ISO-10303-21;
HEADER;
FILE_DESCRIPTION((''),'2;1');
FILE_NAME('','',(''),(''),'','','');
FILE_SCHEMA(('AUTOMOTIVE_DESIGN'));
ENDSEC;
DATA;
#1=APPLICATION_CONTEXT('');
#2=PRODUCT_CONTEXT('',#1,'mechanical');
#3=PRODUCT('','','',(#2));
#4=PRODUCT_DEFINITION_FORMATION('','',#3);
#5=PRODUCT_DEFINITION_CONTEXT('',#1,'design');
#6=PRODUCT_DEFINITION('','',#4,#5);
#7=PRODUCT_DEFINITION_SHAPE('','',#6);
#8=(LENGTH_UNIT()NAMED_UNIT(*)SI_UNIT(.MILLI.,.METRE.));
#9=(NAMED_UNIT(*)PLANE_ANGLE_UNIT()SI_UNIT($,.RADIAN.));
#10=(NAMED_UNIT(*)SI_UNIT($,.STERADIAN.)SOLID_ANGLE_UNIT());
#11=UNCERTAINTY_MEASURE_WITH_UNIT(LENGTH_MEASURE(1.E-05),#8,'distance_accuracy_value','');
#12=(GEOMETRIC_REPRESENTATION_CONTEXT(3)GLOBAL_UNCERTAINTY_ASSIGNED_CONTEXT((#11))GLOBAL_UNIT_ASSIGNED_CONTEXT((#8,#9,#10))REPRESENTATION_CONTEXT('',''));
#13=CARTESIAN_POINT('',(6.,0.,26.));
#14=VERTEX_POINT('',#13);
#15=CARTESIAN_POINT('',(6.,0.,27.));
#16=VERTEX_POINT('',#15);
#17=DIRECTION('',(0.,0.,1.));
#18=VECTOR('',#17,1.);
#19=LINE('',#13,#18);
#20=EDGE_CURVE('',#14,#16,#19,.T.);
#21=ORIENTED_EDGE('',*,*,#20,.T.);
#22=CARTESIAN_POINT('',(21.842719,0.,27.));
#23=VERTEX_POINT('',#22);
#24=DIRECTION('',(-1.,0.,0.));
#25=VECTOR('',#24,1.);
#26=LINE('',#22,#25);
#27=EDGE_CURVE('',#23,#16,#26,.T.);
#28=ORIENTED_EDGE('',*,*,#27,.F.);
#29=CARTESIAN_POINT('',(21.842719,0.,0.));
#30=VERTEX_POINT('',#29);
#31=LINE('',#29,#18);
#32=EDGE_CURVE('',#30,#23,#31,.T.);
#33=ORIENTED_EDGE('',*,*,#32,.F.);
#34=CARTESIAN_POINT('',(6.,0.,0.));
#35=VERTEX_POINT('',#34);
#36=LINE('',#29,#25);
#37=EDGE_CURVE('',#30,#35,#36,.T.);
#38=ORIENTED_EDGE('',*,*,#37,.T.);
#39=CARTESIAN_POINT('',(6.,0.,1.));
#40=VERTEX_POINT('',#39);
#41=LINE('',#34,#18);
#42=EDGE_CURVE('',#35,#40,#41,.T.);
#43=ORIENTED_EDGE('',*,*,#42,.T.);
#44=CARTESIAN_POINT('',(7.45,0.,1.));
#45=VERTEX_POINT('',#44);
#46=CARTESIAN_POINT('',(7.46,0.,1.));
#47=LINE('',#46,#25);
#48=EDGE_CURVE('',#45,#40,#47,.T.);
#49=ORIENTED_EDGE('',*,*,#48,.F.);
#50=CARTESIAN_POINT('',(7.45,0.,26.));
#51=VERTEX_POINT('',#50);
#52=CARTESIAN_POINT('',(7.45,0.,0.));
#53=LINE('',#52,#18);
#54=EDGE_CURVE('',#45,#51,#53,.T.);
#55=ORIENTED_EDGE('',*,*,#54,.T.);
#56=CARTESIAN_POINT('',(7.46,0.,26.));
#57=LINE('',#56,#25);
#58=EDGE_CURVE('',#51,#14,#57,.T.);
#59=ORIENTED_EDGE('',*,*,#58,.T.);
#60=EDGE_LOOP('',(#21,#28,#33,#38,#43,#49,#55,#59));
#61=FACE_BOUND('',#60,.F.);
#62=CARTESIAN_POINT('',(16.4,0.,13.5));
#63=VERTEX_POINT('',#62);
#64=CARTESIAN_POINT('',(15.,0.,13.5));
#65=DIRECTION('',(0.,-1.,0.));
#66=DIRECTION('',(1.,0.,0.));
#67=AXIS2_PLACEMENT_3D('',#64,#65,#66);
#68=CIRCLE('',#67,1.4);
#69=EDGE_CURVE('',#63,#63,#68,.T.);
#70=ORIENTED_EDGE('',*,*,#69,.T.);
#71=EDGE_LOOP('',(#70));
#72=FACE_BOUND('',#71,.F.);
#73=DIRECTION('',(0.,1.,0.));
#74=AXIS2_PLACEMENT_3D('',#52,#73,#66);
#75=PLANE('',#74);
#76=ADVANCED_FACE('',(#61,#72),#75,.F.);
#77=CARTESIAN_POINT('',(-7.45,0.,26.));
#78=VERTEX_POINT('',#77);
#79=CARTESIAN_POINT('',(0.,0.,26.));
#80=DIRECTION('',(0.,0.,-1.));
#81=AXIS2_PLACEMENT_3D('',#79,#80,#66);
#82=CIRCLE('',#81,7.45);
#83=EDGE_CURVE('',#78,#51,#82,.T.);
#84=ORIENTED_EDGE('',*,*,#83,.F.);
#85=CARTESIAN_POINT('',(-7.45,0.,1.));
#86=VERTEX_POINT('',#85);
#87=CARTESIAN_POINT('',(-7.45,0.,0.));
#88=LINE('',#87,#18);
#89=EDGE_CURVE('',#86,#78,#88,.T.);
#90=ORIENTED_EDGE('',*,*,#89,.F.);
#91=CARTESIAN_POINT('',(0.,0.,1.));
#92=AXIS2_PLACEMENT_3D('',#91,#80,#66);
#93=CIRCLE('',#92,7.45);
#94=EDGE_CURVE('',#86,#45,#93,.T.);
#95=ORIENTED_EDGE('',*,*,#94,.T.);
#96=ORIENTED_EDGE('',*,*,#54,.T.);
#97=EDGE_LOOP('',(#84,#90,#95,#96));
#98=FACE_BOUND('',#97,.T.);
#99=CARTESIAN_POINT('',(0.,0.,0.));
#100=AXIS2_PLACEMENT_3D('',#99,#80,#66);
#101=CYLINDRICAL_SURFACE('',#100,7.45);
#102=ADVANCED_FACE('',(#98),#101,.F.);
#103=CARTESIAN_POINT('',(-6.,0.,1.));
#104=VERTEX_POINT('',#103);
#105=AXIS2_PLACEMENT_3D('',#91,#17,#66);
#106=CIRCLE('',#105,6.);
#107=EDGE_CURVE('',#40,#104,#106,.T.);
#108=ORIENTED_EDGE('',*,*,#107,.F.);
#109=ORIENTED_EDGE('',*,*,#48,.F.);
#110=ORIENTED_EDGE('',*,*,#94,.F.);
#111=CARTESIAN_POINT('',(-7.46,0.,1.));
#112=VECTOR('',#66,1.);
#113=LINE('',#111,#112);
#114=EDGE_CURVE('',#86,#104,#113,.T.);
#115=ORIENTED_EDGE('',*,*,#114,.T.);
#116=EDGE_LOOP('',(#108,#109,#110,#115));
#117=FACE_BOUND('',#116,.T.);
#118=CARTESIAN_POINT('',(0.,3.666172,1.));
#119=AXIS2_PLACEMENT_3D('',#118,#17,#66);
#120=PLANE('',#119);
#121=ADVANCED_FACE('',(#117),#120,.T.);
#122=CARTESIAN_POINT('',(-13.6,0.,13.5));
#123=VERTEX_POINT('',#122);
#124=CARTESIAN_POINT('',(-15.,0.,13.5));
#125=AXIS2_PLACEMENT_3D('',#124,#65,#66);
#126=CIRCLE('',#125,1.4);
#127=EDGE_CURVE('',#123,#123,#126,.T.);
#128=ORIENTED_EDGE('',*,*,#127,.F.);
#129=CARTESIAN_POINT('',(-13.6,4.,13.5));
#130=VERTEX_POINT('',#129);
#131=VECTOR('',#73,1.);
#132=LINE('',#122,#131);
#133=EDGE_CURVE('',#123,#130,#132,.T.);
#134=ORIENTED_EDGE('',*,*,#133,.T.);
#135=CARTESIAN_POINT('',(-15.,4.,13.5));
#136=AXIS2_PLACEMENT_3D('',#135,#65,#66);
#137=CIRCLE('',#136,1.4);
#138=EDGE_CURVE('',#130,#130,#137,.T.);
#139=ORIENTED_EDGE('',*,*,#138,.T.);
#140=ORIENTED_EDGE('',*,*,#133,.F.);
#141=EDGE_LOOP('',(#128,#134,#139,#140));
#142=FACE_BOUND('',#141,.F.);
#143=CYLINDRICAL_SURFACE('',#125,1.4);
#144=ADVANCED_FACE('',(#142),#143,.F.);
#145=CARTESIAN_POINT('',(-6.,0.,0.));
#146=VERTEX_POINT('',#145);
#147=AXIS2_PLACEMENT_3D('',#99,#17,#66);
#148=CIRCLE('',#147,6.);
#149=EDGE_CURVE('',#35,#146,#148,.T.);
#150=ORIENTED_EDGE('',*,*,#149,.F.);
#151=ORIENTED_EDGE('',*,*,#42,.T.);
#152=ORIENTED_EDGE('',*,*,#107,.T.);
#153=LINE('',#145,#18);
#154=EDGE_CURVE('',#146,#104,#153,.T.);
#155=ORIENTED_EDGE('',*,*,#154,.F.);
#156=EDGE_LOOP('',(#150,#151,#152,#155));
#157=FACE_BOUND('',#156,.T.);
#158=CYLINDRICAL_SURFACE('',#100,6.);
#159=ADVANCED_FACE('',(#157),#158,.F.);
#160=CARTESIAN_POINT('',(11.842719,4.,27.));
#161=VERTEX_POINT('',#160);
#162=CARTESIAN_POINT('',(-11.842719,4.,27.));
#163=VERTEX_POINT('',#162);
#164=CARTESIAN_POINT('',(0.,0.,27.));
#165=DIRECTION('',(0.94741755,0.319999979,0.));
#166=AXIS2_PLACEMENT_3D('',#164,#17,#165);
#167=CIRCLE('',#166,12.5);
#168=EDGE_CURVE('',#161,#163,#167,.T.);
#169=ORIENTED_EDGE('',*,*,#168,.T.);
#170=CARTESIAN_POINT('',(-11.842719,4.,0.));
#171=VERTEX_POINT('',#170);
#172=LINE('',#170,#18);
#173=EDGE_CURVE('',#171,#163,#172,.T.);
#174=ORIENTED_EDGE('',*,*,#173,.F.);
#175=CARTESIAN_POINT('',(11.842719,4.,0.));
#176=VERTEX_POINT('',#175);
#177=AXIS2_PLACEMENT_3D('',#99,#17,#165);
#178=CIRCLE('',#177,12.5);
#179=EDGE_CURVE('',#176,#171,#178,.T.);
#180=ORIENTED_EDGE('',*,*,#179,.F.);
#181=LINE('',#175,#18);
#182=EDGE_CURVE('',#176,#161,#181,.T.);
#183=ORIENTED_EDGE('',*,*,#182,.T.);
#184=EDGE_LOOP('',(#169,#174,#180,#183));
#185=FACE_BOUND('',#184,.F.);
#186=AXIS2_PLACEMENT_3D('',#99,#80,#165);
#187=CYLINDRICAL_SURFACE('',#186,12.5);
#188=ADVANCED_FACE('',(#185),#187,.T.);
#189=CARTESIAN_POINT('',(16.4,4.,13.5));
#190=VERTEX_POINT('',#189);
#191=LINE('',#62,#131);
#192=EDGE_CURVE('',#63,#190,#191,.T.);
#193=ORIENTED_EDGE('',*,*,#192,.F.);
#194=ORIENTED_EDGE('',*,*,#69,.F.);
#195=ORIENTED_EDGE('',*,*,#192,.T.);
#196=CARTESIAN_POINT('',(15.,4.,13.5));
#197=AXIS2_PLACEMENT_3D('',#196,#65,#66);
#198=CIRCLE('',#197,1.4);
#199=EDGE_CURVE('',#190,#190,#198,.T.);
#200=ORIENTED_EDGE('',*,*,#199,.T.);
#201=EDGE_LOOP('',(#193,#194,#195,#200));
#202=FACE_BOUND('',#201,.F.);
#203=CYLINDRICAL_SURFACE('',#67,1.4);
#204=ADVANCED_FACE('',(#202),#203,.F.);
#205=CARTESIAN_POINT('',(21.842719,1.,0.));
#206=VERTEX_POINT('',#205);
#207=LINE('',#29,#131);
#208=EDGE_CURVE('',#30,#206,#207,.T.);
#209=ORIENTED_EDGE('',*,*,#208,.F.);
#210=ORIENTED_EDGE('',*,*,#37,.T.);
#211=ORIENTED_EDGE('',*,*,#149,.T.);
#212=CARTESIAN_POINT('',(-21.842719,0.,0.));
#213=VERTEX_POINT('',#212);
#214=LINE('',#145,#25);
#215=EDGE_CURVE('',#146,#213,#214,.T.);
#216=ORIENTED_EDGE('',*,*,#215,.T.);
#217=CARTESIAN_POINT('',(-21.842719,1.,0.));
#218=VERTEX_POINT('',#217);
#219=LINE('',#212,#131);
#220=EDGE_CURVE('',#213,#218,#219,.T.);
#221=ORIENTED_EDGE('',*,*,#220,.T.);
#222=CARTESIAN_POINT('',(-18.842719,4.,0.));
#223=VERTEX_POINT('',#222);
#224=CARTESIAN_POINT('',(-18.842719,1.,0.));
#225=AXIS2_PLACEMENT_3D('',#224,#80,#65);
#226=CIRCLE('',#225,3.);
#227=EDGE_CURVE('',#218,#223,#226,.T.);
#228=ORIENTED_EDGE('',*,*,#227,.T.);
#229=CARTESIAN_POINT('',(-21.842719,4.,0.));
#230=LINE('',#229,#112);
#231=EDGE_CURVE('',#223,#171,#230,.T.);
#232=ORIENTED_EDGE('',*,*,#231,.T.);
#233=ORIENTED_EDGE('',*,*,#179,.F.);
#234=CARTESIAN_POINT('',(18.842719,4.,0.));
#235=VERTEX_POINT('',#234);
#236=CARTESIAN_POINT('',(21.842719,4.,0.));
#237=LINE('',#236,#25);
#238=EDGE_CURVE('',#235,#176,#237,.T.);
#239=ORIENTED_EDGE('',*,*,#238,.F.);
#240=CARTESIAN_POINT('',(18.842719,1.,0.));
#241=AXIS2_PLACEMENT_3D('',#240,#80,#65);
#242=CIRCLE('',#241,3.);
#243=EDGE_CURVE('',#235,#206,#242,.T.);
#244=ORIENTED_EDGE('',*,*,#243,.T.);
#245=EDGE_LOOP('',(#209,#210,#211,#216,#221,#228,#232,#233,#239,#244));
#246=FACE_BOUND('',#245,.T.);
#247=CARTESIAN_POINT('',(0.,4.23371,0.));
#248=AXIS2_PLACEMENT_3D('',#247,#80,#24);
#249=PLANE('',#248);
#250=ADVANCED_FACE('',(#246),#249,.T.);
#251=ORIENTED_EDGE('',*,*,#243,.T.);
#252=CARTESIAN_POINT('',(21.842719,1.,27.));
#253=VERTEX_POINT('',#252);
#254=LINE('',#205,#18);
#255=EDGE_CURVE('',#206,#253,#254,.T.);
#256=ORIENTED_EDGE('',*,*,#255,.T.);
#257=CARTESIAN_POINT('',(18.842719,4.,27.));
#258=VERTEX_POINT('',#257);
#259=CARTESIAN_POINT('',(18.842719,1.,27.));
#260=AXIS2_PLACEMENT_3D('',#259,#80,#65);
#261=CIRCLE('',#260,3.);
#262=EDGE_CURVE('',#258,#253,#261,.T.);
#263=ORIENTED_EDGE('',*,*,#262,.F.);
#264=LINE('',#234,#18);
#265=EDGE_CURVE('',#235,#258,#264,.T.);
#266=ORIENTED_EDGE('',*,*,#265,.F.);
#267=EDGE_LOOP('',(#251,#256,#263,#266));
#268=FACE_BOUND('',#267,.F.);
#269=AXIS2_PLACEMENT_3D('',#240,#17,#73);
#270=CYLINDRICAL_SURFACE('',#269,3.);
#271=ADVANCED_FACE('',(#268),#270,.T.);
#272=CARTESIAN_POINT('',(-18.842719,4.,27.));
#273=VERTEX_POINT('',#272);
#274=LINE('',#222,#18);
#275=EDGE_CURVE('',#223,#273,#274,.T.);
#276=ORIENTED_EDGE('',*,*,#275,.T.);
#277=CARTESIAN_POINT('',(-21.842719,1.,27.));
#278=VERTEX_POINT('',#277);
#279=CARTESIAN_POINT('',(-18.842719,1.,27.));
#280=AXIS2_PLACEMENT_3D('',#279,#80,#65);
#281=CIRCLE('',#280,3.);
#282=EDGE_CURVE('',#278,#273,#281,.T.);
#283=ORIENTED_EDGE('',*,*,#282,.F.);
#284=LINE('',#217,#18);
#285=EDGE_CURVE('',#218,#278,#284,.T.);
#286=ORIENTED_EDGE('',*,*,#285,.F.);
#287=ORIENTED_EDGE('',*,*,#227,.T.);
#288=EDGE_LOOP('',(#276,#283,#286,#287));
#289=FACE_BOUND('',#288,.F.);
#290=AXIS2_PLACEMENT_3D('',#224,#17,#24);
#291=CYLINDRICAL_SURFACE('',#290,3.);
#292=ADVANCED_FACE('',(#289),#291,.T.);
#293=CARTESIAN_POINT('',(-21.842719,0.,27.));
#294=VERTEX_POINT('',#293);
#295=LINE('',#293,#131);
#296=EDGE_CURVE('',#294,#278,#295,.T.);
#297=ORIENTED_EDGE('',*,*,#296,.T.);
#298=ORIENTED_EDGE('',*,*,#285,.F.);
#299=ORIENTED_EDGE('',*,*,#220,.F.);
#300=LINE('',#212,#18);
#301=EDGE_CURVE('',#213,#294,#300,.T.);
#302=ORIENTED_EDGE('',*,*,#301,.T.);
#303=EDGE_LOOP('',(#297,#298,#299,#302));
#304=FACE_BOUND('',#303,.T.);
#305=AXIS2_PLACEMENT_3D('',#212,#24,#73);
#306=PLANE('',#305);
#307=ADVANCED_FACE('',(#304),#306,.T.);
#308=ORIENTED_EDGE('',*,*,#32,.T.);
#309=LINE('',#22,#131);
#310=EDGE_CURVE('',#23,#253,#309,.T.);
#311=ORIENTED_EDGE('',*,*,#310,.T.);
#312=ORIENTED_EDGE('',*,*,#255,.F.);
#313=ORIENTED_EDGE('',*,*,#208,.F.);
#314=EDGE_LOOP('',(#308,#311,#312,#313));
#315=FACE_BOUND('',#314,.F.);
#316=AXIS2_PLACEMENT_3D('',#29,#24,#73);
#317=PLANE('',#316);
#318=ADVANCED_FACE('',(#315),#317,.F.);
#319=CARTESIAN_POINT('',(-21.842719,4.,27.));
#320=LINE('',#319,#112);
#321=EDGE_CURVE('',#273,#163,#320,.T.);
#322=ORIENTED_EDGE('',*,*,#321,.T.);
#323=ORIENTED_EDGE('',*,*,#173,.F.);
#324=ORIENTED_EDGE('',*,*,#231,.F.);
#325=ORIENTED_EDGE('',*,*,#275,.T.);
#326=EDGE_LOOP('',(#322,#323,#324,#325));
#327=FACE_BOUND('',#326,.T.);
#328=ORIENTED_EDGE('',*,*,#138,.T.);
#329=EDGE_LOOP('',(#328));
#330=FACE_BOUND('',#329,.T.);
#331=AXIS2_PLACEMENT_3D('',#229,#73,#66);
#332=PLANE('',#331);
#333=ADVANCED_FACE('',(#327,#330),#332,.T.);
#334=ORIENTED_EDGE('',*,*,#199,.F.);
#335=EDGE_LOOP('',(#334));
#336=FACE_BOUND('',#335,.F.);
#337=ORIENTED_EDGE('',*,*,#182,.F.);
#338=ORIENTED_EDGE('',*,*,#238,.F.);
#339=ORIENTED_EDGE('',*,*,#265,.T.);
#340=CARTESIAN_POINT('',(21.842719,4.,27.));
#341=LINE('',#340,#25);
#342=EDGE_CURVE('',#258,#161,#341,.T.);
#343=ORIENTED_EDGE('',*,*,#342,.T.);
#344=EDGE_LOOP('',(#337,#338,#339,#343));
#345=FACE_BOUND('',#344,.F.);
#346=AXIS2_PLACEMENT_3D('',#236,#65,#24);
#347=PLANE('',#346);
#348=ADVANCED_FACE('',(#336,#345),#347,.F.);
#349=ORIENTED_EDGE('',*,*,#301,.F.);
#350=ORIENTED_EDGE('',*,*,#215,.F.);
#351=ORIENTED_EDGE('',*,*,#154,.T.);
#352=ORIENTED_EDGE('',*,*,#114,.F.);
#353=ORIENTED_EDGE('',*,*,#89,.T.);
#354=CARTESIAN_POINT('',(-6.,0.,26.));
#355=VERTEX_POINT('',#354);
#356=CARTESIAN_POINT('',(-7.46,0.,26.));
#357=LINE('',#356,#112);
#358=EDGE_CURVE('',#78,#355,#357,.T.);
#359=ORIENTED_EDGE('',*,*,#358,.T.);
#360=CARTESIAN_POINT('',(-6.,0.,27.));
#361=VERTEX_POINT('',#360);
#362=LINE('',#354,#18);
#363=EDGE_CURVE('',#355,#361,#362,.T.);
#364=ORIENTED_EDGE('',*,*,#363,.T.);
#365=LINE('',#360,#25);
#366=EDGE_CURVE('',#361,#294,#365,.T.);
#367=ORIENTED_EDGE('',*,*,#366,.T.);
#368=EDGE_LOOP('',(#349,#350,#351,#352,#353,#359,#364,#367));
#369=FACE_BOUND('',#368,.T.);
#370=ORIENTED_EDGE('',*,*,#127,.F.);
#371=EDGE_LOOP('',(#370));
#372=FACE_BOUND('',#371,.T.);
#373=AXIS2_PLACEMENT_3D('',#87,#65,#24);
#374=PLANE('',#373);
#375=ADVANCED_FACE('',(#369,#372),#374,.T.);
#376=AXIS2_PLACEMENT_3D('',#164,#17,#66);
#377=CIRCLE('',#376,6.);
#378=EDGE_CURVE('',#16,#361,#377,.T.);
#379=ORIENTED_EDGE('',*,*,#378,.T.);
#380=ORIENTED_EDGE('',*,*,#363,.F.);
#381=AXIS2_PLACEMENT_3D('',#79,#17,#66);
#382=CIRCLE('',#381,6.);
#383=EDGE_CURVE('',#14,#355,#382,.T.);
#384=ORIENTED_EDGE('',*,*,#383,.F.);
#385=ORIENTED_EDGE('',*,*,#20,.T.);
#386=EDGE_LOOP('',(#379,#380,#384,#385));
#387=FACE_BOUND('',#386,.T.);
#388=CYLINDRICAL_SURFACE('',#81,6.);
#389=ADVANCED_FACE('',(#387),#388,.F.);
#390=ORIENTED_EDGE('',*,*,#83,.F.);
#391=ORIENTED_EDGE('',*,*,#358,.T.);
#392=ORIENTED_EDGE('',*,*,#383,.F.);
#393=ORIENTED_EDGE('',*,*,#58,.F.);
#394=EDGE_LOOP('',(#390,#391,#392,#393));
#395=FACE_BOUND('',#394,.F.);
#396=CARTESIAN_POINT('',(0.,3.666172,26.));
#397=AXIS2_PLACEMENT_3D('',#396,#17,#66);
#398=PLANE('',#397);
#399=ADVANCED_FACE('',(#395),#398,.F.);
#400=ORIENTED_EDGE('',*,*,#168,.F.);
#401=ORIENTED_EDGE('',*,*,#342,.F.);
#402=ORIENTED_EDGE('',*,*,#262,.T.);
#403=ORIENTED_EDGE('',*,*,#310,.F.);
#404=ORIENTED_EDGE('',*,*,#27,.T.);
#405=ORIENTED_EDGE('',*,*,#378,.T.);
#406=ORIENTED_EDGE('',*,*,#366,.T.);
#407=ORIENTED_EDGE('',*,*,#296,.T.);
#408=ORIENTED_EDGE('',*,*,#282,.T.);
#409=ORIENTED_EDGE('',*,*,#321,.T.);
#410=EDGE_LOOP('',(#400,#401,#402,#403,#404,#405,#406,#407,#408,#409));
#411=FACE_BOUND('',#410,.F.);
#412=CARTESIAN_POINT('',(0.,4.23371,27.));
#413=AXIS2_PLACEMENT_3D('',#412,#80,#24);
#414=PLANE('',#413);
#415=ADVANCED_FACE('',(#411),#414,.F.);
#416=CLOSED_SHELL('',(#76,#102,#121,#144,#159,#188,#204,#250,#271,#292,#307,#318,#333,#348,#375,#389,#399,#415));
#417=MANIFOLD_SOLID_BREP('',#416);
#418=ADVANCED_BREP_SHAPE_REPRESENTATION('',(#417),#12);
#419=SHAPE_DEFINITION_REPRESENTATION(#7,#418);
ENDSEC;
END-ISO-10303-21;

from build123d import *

# Parameters (mm, degrees)
SKETCH006_R  = 1.4
PAD004_DEPTH = 4
PAD_DEPTH    = 27
PAD001_DEPTH = 1
PAD003_DEPTH = 1
FILLET_R     = 3


with BuildPart() as mount:
    # Sketch006 → Pad004 (new body)
    with BuildSketch(Plane.XZ):
        with Locations((-15, 13.5)):
            Circle(SKETCH006_R)
        with Locations((15, 13.5)):
            Circle(SKETCH006_R)
    extrude(amount=-PAD004_DEPTH)


with BuildPart() as base:
    # Sketch → Pad (new body)
    with BuildSketch(Plane.XY):
        with BuildLine():
            ThreePointArc((7.45, 0), (0, 7.45), (-7.45, 0))
            Line((-7.45, 0), (-21.842719, 0))
            Line((-21.842719, 0), (-21.842719, 4))
            Line((-21.842719, 4), (-11.842719, 4))
            ThreePointArc((11.842719, 4), (0, 12.5), (-11.842719, 4))
            Line((21.842719, 4), (11.842719, 4))
            Line((21.842719, 0), (21.842719, 4))
            Line((7.45, 0), (21.842719, 0))
        make_face()
    extrude(amount=PAD_DEPTH)


with BuildPart() as bottomlip:
    # Sketch003 → Pad001 (new body)
    with BuildSketch(Plane.XY):
        with BuildLine():
            ThreePointArc((7.46, 0), (0, 7.46), (-7.46, 0))
            Line((-7.46, 0), (-6, 0))
            ThreePointArc((6, 0), (0, 6), (-6, 0))
            Line((7.46, 0), (6, 0))
        make_face()
    extrude(amount=PAD001_DEPTH)


with BuildPart() as fillet_body:
    # Sketch005 → Pad003 (new body)
    with BuildSketch(Plane.XY.offset(26)):
        with BuildLine():
            ThreePointArc((7.46, 0), (0, 7.46), (-7.46, 0))
            Line((-7.46, 0), (-6, 0))
            ThreePointArc((6, 0), (0, 6), (-6, 0))
            Line((7.46, 0), (6, 0))
        make_face()
    extrude(amount=PAD003_DEPTH)

    # Fusion: union Base, BottomLip
    add(base.part)
    add(bottomlip.part)

    # Cut: cut Mount
    add(mount.part, mode=Mode.SUBTRACT)

    # Fillet
    fillet_edges = [fillet_body.edges().sort_by_distance(p)[0] for p in [
        (21.842719, 4, 13.5),
        (-21.842719, 4, 13.5),
    ]]
    fillet(fillet_edges, radius=FILLET_R)


solid = fillet_body.part
